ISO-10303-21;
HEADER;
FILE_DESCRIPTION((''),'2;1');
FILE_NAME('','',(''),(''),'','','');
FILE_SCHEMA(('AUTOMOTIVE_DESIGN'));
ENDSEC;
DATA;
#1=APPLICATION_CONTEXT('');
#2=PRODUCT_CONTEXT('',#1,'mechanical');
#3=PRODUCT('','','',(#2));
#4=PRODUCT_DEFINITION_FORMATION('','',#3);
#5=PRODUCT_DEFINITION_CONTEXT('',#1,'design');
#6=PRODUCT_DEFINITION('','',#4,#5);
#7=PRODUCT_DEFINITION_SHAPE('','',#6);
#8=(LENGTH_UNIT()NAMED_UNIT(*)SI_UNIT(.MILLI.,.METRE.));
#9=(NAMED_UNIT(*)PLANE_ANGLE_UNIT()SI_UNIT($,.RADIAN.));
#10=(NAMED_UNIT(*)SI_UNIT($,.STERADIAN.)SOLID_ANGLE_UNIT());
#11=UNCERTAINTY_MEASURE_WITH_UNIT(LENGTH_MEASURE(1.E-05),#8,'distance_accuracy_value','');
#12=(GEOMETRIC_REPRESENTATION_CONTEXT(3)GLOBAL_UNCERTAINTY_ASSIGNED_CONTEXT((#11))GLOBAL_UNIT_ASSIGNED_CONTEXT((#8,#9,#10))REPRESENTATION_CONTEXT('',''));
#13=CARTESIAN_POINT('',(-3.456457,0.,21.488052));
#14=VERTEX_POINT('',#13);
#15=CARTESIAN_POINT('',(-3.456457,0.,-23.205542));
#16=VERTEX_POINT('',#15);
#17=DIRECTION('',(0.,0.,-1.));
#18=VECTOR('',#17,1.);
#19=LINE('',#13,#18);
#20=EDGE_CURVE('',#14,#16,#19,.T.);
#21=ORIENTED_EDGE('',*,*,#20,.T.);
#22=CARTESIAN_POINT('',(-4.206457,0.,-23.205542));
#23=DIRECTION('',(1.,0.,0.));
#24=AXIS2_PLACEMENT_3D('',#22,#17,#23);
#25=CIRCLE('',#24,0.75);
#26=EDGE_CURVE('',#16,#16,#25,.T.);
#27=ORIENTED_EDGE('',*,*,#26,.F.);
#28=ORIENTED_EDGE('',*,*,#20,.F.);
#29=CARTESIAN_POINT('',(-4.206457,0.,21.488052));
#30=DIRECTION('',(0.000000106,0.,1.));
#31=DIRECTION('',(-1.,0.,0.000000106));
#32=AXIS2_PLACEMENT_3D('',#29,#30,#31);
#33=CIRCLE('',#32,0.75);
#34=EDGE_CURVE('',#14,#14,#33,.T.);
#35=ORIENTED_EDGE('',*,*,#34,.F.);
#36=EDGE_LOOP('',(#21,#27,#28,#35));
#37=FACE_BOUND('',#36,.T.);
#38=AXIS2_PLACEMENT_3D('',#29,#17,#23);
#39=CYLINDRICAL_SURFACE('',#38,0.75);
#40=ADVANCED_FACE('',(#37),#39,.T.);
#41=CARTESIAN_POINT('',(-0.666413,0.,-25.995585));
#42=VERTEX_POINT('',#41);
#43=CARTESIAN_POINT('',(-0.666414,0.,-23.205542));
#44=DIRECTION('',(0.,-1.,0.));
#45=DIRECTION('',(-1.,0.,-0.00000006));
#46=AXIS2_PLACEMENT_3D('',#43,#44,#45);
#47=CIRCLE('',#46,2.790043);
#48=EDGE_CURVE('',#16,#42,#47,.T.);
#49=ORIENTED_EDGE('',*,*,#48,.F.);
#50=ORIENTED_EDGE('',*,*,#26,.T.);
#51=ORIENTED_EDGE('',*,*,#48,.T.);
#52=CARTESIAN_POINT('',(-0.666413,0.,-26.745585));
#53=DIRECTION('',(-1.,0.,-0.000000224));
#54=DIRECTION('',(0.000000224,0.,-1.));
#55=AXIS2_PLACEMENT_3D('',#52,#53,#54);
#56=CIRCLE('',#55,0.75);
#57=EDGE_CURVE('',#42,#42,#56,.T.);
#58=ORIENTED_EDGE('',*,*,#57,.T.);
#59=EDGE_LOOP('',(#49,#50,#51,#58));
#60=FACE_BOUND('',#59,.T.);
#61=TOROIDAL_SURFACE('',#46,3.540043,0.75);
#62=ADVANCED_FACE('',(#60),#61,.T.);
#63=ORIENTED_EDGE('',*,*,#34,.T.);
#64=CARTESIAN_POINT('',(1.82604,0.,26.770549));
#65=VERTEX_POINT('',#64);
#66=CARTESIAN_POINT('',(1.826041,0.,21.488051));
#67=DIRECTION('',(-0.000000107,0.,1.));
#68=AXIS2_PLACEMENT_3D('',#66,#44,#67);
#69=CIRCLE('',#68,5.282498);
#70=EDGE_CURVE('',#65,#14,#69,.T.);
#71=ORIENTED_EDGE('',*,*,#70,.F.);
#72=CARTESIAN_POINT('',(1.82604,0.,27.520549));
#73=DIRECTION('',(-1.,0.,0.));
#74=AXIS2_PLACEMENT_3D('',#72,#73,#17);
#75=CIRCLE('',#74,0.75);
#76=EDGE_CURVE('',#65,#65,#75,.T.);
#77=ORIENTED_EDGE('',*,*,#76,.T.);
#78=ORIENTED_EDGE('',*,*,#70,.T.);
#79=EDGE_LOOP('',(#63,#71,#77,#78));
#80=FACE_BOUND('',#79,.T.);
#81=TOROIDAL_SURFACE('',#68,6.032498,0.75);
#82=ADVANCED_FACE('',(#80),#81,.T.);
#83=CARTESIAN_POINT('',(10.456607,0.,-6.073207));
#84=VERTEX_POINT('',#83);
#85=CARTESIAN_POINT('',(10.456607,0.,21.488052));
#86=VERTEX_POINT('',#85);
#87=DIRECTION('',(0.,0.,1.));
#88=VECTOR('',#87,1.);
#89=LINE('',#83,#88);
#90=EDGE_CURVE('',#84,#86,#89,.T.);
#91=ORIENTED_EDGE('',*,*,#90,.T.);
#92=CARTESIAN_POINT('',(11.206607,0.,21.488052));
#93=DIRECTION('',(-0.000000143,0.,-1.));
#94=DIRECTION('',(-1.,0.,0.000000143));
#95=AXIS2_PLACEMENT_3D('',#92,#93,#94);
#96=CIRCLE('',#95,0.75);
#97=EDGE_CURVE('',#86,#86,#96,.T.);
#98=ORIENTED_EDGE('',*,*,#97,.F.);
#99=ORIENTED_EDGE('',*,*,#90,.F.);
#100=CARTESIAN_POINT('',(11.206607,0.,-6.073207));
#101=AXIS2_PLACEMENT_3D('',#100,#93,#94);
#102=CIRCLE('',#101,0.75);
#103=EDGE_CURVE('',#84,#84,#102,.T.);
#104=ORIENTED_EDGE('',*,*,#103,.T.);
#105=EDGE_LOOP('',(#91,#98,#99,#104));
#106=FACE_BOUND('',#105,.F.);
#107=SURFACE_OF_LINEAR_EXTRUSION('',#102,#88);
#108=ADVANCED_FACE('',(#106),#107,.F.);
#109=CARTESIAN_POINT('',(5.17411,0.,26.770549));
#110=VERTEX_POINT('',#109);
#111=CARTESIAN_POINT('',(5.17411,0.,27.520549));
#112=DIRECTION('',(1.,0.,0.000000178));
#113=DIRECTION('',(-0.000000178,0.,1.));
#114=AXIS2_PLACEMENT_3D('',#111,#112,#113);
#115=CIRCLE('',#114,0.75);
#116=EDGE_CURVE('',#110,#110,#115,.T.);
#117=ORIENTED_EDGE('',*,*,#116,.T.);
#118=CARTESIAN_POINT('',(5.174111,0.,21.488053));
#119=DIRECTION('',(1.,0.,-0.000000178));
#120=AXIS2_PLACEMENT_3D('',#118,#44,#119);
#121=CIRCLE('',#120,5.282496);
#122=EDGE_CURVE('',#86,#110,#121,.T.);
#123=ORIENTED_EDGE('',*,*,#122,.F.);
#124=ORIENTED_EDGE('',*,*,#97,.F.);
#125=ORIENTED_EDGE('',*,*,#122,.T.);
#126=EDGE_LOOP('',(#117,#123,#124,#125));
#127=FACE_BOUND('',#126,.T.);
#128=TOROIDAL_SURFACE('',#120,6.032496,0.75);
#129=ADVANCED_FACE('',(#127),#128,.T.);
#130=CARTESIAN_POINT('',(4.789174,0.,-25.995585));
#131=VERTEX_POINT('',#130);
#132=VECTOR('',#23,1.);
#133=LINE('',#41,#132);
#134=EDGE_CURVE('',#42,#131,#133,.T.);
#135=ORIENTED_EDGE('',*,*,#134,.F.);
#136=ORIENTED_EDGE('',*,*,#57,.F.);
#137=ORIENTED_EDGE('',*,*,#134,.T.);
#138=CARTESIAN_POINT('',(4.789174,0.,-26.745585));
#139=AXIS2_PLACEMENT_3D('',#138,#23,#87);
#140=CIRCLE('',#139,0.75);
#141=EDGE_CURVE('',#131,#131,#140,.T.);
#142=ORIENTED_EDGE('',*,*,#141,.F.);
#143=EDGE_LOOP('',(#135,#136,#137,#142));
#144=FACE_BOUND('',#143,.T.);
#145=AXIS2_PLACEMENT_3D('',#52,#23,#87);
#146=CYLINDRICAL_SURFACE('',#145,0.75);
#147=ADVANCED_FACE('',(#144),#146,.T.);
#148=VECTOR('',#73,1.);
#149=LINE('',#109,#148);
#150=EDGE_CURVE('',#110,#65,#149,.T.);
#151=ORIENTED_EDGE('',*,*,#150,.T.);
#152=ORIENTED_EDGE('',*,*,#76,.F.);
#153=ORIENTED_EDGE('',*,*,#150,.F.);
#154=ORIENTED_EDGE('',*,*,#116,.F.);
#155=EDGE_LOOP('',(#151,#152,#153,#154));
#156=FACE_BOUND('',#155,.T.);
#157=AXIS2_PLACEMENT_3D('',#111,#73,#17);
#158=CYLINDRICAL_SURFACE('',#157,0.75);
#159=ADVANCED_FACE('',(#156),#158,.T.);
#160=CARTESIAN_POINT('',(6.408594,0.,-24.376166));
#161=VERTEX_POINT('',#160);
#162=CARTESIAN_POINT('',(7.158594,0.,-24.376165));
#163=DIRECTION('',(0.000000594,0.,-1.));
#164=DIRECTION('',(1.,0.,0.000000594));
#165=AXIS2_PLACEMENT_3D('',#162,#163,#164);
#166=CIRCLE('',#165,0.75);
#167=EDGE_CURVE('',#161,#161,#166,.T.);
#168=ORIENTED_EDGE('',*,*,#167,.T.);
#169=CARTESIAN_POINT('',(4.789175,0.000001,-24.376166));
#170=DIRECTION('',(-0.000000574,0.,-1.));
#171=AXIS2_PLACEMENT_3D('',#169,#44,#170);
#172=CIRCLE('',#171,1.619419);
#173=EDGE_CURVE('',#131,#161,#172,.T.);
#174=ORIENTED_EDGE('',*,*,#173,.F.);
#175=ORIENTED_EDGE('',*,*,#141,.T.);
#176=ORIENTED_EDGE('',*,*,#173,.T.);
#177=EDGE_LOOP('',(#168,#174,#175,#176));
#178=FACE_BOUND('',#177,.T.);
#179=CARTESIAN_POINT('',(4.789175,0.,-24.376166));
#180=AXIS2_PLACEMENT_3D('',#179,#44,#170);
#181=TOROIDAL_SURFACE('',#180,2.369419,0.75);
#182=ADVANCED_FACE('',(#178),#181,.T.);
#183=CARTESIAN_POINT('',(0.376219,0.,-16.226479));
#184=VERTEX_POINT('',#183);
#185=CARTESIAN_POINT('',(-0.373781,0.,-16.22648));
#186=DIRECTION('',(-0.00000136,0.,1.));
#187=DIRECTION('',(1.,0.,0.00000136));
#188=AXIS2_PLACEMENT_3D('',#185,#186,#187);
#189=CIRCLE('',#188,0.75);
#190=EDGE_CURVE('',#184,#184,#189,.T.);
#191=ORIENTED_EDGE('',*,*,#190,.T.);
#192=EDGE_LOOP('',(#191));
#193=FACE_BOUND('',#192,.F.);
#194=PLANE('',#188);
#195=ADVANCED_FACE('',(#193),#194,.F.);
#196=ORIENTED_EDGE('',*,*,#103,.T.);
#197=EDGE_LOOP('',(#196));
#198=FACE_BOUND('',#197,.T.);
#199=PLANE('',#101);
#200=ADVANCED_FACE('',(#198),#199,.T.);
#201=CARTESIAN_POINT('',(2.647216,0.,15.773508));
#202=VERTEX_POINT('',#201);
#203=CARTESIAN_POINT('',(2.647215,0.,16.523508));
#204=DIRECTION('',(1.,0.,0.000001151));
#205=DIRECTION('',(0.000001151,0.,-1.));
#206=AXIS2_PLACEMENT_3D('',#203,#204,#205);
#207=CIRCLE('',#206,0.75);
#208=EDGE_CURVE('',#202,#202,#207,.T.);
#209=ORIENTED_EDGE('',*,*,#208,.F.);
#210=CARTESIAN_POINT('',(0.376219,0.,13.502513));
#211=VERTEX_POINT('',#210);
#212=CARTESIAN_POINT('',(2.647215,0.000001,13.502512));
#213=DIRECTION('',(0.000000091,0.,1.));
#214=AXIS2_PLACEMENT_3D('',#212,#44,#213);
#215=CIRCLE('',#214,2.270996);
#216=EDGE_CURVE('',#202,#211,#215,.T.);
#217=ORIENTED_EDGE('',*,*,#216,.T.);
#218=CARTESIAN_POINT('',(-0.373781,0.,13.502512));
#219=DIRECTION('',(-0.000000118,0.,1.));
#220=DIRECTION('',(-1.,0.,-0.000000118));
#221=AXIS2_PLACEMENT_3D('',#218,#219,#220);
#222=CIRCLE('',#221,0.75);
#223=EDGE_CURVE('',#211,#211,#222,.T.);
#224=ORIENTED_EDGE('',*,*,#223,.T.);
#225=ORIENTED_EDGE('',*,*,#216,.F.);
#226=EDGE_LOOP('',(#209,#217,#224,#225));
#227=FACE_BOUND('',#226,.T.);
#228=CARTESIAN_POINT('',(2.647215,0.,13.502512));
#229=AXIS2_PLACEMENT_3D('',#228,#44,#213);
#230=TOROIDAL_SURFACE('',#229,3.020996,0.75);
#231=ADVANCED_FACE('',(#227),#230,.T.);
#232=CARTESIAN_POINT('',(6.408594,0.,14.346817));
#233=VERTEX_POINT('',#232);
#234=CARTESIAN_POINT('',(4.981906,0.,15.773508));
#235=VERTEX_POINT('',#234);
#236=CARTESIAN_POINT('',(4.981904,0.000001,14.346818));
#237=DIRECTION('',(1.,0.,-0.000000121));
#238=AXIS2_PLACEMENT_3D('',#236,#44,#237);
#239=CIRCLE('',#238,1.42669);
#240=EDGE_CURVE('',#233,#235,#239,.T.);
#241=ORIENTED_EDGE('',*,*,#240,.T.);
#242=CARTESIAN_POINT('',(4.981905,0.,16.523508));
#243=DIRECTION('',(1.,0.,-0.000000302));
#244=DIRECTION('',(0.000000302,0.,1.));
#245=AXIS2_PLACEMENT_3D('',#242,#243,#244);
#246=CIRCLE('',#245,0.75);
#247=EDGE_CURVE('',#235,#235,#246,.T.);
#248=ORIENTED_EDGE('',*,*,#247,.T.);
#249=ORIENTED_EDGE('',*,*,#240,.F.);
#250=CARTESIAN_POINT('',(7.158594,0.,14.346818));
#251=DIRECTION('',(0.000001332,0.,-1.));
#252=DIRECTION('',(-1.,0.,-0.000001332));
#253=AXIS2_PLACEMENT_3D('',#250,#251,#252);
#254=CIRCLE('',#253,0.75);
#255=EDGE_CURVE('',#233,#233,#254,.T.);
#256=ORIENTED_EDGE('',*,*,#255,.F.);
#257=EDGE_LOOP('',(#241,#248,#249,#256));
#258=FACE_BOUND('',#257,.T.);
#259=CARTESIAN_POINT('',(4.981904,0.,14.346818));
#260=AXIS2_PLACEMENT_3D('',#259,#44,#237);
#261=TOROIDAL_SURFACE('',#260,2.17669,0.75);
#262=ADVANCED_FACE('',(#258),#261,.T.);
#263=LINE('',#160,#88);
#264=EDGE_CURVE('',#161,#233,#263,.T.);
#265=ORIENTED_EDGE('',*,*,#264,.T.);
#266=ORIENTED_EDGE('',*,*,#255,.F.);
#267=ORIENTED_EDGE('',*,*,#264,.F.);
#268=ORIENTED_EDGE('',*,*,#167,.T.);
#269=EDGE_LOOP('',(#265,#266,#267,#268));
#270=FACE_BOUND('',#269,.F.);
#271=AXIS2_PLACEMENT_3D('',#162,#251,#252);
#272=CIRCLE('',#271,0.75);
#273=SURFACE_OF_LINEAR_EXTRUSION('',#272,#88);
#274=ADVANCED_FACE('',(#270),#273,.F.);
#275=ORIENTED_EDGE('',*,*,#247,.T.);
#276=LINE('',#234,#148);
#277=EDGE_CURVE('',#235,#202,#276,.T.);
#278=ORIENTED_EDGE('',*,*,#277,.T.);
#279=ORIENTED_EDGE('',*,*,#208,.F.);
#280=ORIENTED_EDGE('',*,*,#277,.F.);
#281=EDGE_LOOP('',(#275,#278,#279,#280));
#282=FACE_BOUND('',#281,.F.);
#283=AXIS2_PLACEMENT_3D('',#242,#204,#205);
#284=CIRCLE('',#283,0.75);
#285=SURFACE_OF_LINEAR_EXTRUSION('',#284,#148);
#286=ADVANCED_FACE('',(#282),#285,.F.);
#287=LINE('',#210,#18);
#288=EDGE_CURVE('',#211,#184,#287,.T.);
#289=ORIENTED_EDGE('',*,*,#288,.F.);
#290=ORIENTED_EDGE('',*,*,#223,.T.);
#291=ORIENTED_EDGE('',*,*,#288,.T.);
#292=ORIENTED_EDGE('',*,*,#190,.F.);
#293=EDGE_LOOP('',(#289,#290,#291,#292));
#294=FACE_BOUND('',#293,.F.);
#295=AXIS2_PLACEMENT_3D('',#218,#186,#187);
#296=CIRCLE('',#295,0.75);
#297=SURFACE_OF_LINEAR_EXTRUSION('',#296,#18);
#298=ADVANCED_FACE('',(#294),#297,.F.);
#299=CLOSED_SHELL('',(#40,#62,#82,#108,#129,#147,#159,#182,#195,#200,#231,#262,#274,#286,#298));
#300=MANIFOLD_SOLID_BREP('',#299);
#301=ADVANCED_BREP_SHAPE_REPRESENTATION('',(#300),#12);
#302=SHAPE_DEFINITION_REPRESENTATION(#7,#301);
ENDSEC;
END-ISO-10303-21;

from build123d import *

# Parameters (mm, degrees)
SKETCH001_R = 0.75


with BuildPart() as part:
    # AdditivePipe: sweep along a path in Sketch
    with BuildLine(Plane.XZ) as additivepipe_path:
        Line((11.17411, -6.073207), (11.17411, 21.488052))
        ThreePointArc((11.17411, 21.488052), (9.416751, 25.730693), (5.17411, 27.488052))
        Line((5.17411, 27.488052), (1.82604, 27.488052))
        ThreePointArc((1.82604, 27.488052), (-2.4166, 25.730693), (-4.17396, 21.488052))
        Line((-4.17396, 21.488052), (-4.17396, -23.205542))
        ThreePointArc((-4.17396, -23.205542), (-3.146623, -25.685752), (-0.666413, -26.713088))
        Line((-0.666413, -26.713088), (4.789174, -26.713088))
        ThreePointArc((4.789174, -26.713088), (6.441629, -26.028619), (7.126097, -24.376165))
        Line((7.126097, -24.376165), (7.126097, 14.346818))
        ThreePointArc((7.126097, 14.346818), (6.498078, 15.862991), (4.981905, 16.491011))
        Line((4.981905, 16.491011), (2.647215, 16.491011))
        ThreePointArc((2.647215, 16.491011), (0.534027, 15.6157), (-0.341284, 13.502512))
        Line((-0.341284, 13.502512), (-0.341284, -16.22648))
    # Sketch001 → AdditivePipe (sweep)
    with BuildSketch(Plane.XY):
        with Locations((-4.206457, 0)):
            Circle(SKETCH001_R)
    sweep(path=additivepipe_path.line)


solid = part.part
